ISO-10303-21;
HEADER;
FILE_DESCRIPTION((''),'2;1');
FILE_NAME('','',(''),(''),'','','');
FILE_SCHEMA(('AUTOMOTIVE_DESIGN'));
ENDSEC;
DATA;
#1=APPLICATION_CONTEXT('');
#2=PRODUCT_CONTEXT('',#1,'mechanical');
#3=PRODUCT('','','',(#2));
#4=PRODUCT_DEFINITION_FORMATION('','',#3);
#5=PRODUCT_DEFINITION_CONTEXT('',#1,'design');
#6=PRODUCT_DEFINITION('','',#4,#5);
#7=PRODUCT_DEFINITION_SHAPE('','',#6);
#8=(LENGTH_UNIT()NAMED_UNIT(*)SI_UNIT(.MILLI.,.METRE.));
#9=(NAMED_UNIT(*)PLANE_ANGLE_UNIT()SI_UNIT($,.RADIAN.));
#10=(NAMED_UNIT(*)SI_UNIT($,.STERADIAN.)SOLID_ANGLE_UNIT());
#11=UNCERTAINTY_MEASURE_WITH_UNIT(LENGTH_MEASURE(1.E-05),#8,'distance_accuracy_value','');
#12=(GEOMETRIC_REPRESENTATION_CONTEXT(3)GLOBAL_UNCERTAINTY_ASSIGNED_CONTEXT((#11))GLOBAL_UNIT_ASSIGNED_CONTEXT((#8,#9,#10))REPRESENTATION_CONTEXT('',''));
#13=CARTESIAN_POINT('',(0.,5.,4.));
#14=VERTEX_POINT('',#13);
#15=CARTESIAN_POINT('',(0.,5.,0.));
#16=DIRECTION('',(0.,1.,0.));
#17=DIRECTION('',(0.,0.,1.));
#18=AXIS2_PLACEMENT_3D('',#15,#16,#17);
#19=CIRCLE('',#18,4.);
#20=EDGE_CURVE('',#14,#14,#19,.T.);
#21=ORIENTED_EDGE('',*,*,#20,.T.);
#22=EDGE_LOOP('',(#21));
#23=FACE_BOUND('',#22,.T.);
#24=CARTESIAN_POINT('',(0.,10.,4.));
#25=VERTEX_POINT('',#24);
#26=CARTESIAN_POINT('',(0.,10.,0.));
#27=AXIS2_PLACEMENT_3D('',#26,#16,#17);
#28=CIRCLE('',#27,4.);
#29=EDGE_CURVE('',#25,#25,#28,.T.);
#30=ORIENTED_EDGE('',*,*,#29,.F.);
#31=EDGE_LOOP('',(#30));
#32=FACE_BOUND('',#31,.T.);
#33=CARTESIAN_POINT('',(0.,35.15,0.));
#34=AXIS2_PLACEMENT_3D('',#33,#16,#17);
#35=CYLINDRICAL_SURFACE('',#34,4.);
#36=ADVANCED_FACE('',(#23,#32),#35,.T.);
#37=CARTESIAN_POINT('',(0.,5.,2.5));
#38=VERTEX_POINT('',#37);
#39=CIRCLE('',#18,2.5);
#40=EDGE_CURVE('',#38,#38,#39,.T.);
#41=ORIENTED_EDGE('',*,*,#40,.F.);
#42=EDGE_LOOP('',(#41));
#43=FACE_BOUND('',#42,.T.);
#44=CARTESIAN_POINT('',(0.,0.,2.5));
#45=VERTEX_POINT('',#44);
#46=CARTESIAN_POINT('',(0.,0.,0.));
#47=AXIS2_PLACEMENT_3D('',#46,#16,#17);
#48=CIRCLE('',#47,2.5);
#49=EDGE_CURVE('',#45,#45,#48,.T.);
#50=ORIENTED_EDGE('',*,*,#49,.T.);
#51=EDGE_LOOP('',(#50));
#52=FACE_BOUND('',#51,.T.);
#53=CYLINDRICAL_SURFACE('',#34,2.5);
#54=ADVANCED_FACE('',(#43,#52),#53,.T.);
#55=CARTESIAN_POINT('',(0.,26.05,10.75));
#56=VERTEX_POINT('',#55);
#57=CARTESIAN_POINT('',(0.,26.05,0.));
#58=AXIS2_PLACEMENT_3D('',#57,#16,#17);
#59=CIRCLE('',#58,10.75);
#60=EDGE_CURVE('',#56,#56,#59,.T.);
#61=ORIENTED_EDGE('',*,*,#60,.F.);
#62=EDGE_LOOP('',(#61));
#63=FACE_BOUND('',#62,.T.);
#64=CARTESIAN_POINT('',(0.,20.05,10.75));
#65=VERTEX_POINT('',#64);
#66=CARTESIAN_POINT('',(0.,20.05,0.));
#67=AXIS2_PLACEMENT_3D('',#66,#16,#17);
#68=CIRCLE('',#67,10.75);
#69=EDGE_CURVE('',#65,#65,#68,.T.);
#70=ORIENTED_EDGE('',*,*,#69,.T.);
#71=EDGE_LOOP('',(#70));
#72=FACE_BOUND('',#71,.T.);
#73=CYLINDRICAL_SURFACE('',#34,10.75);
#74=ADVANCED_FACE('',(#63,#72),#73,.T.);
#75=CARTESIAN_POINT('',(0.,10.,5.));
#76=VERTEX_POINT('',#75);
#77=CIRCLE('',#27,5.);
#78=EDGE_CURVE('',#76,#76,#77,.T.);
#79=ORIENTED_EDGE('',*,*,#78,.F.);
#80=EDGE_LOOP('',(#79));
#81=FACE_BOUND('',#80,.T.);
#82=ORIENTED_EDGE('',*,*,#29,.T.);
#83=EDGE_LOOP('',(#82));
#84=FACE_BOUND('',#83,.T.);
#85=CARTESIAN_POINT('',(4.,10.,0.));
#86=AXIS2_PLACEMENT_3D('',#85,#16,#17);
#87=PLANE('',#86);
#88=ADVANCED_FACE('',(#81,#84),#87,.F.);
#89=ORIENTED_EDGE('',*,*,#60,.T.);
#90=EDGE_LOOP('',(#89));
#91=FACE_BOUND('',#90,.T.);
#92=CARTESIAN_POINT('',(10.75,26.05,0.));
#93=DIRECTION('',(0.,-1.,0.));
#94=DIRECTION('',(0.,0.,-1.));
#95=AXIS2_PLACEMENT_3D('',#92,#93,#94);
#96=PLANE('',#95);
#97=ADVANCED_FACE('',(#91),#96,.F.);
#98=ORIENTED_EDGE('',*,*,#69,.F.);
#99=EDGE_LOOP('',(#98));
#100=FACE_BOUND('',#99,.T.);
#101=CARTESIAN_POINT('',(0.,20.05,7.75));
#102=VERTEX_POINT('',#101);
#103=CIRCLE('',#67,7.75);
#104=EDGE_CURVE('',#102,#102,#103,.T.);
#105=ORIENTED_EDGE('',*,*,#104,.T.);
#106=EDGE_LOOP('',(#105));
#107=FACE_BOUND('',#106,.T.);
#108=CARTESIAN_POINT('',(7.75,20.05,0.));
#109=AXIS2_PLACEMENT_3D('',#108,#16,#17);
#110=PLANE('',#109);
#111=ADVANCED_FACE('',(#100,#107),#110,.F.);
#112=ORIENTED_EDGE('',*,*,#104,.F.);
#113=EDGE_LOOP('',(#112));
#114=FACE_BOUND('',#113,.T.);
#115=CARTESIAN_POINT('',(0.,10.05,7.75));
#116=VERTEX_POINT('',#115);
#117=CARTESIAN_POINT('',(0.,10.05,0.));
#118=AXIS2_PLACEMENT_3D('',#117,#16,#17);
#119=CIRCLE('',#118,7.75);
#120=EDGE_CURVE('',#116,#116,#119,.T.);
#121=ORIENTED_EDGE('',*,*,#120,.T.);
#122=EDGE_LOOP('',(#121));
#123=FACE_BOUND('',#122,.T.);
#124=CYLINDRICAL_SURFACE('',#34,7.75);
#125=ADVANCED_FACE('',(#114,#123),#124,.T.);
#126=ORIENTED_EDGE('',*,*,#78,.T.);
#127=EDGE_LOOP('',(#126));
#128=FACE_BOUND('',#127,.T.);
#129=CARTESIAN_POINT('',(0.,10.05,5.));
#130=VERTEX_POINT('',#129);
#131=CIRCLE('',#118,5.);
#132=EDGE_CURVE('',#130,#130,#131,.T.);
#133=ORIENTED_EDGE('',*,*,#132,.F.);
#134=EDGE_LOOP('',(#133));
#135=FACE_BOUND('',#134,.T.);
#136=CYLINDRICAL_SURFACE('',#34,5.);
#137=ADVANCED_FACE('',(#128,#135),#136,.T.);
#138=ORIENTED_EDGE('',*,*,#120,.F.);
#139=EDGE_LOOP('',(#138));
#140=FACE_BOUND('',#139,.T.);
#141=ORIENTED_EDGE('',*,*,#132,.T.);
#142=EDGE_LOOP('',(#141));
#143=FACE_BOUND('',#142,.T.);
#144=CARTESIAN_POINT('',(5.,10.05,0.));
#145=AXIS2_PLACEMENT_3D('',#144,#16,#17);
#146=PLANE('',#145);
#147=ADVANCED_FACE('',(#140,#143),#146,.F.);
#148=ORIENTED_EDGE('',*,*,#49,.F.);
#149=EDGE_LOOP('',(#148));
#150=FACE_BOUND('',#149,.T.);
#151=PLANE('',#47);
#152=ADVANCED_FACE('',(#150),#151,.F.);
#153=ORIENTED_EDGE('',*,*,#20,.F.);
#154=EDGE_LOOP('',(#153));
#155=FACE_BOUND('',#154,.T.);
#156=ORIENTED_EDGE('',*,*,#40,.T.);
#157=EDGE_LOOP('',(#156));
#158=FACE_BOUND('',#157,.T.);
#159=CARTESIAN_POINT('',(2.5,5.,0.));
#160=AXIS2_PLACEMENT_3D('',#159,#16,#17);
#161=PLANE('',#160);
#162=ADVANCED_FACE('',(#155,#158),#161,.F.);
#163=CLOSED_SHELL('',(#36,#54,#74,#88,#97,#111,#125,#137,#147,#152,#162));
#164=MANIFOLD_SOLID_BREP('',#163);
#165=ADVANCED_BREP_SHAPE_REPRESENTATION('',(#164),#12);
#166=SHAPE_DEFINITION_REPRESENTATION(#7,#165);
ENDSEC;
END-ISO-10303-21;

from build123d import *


with BuildPart() as part:
    # Sketch1 → Revolve1 (revolve)
    with BuildSketch(Plane.XY, mode=Mode.PRIVATE) as revolve1_sk:
        Polygon((0, 0), (2.5, 0), (2.5, 5), (4, 5), (4, 10), (5, 10), (5, 10.05), (7.75, 10.05), (7.75, 20.05), (10.75, 20.05), (10.75, 26.05), (0, 26.05), align=None)
    revolve(revolve1_sk.sketch.rotate(Axis((0, 35.15, 0), (0, -1, 0)), 90), axis=Axis((0, 35.15, 0), (0, -1, 0)))


solid = part.part
